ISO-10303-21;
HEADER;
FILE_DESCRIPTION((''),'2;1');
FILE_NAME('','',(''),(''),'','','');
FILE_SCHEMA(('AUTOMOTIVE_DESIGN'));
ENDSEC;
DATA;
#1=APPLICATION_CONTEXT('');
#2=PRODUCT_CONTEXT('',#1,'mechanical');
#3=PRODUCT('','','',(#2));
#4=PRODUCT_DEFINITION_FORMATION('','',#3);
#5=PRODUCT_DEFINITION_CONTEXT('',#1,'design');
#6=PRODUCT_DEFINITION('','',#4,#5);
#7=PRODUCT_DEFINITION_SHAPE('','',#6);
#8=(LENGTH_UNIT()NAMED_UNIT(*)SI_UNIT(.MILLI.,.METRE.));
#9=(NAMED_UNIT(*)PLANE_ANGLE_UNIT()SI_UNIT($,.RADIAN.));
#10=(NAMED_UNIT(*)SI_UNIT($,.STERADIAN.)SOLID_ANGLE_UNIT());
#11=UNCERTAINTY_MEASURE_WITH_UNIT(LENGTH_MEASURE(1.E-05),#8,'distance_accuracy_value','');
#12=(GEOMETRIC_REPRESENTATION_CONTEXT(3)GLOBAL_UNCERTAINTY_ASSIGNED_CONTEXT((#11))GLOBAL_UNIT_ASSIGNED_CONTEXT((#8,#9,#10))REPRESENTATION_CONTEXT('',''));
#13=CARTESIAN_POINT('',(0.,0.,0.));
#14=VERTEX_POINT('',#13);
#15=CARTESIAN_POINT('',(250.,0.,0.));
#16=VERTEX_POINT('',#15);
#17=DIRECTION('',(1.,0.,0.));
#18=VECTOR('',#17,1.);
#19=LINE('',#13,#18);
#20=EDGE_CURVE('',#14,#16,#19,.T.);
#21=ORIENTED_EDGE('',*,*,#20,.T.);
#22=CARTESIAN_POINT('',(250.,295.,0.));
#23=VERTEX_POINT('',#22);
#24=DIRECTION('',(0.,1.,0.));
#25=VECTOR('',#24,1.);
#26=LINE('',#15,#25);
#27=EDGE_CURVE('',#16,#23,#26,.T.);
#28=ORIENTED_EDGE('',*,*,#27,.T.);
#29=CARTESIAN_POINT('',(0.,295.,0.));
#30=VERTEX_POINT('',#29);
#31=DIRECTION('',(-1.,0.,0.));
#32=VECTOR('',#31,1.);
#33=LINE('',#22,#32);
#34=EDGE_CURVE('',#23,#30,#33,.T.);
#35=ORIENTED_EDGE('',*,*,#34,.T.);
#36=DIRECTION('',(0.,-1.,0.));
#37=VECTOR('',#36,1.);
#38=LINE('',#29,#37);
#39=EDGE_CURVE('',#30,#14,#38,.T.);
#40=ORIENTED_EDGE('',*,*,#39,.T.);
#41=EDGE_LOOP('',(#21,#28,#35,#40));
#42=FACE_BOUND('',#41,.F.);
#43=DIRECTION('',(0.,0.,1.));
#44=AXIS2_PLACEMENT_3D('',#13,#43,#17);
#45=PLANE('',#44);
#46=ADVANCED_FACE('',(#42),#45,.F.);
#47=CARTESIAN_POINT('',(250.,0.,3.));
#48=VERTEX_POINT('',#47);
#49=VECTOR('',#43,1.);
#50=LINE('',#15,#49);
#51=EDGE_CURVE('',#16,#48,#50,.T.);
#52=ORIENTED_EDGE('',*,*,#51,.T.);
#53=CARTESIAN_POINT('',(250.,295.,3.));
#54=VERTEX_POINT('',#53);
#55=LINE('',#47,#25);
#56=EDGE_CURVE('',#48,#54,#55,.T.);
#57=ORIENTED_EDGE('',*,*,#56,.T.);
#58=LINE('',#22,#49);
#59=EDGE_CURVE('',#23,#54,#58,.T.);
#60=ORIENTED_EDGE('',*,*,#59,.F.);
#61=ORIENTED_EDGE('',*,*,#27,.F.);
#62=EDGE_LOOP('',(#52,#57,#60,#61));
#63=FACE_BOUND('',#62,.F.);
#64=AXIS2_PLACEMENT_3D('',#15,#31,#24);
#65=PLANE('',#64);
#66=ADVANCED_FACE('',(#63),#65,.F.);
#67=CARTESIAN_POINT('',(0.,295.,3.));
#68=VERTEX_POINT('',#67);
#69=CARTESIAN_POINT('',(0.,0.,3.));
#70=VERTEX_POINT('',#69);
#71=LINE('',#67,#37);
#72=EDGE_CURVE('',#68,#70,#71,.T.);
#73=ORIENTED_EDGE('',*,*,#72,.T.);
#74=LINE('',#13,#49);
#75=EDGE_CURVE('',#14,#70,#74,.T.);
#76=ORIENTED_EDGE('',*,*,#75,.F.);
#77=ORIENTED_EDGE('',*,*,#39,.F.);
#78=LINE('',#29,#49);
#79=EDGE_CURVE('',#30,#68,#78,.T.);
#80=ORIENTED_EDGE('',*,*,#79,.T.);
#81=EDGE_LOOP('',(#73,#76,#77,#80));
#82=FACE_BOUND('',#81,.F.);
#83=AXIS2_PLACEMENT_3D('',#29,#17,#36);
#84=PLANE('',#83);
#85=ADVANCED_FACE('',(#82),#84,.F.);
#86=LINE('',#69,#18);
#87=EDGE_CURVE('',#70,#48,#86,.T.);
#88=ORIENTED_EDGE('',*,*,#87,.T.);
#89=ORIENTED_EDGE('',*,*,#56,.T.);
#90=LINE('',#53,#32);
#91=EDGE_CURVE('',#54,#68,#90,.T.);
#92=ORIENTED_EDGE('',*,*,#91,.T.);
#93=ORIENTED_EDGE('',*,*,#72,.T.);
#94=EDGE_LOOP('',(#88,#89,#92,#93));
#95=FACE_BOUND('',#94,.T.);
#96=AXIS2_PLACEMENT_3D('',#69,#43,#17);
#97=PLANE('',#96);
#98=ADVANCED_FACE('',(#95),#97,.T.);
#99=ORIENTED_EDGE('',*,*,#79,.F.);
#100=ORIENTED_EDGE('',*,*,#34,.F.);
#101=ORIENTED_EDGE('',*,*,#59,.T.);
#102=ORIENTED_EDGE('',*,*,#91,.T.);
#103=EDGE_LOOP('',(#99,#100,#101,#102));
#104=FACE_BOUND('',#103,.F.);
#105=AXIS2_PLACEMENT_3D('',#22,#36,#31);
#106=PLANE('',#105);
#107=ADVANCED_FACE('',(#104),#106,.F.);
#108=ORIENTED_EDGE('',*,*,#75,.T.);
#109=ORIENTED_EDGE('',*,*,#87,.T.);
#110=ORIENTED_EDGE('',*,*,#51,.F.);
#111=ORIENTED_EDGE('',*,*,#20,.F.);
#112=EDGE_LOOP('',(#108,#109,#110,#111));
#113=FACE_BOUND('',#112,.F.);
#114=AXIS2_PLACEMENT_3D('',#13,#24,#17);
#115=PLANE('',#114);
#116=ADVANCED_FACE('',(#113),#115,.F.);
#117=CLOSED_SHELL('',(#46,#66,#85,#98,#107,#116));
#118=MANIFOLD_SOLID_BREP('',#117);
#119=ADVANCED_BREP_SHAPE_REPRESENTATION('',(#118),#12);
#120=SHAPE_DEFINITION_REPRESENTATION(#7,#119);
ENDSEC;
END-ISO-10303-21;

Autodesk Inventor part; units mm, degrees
ref_plane "YZ Plane" through (0, 0, 0) normal (1, 0, 0) x (0, 1, 0)
ref_plane "XZ Plane" through (0, 0, 0) normal (0, 1, 0) x (-1, 0, 0)
ref_plane "XY Plane" through (0, 0, 0) normal (0, 0, 1) x (1, 0, 0)
sketch "Esquisse2" plane through (0, 0, 0) normal (0, 0, 1) x (1, 0, 0)
  line L0 (0, 0) -> (250, 0)
  line L1 (250, 0) -> (250, 295)
  line L2 (250, 295) -> (0, 295)
  line L3 (0, 295) -> (0, 0)
  dimension "d4" = 250
  dimension "d5" = 295
extrude "Extrusion1" add sketch "Esquisse2" along normal blind 3
properties part number "vitre-avant" material "Verre"
